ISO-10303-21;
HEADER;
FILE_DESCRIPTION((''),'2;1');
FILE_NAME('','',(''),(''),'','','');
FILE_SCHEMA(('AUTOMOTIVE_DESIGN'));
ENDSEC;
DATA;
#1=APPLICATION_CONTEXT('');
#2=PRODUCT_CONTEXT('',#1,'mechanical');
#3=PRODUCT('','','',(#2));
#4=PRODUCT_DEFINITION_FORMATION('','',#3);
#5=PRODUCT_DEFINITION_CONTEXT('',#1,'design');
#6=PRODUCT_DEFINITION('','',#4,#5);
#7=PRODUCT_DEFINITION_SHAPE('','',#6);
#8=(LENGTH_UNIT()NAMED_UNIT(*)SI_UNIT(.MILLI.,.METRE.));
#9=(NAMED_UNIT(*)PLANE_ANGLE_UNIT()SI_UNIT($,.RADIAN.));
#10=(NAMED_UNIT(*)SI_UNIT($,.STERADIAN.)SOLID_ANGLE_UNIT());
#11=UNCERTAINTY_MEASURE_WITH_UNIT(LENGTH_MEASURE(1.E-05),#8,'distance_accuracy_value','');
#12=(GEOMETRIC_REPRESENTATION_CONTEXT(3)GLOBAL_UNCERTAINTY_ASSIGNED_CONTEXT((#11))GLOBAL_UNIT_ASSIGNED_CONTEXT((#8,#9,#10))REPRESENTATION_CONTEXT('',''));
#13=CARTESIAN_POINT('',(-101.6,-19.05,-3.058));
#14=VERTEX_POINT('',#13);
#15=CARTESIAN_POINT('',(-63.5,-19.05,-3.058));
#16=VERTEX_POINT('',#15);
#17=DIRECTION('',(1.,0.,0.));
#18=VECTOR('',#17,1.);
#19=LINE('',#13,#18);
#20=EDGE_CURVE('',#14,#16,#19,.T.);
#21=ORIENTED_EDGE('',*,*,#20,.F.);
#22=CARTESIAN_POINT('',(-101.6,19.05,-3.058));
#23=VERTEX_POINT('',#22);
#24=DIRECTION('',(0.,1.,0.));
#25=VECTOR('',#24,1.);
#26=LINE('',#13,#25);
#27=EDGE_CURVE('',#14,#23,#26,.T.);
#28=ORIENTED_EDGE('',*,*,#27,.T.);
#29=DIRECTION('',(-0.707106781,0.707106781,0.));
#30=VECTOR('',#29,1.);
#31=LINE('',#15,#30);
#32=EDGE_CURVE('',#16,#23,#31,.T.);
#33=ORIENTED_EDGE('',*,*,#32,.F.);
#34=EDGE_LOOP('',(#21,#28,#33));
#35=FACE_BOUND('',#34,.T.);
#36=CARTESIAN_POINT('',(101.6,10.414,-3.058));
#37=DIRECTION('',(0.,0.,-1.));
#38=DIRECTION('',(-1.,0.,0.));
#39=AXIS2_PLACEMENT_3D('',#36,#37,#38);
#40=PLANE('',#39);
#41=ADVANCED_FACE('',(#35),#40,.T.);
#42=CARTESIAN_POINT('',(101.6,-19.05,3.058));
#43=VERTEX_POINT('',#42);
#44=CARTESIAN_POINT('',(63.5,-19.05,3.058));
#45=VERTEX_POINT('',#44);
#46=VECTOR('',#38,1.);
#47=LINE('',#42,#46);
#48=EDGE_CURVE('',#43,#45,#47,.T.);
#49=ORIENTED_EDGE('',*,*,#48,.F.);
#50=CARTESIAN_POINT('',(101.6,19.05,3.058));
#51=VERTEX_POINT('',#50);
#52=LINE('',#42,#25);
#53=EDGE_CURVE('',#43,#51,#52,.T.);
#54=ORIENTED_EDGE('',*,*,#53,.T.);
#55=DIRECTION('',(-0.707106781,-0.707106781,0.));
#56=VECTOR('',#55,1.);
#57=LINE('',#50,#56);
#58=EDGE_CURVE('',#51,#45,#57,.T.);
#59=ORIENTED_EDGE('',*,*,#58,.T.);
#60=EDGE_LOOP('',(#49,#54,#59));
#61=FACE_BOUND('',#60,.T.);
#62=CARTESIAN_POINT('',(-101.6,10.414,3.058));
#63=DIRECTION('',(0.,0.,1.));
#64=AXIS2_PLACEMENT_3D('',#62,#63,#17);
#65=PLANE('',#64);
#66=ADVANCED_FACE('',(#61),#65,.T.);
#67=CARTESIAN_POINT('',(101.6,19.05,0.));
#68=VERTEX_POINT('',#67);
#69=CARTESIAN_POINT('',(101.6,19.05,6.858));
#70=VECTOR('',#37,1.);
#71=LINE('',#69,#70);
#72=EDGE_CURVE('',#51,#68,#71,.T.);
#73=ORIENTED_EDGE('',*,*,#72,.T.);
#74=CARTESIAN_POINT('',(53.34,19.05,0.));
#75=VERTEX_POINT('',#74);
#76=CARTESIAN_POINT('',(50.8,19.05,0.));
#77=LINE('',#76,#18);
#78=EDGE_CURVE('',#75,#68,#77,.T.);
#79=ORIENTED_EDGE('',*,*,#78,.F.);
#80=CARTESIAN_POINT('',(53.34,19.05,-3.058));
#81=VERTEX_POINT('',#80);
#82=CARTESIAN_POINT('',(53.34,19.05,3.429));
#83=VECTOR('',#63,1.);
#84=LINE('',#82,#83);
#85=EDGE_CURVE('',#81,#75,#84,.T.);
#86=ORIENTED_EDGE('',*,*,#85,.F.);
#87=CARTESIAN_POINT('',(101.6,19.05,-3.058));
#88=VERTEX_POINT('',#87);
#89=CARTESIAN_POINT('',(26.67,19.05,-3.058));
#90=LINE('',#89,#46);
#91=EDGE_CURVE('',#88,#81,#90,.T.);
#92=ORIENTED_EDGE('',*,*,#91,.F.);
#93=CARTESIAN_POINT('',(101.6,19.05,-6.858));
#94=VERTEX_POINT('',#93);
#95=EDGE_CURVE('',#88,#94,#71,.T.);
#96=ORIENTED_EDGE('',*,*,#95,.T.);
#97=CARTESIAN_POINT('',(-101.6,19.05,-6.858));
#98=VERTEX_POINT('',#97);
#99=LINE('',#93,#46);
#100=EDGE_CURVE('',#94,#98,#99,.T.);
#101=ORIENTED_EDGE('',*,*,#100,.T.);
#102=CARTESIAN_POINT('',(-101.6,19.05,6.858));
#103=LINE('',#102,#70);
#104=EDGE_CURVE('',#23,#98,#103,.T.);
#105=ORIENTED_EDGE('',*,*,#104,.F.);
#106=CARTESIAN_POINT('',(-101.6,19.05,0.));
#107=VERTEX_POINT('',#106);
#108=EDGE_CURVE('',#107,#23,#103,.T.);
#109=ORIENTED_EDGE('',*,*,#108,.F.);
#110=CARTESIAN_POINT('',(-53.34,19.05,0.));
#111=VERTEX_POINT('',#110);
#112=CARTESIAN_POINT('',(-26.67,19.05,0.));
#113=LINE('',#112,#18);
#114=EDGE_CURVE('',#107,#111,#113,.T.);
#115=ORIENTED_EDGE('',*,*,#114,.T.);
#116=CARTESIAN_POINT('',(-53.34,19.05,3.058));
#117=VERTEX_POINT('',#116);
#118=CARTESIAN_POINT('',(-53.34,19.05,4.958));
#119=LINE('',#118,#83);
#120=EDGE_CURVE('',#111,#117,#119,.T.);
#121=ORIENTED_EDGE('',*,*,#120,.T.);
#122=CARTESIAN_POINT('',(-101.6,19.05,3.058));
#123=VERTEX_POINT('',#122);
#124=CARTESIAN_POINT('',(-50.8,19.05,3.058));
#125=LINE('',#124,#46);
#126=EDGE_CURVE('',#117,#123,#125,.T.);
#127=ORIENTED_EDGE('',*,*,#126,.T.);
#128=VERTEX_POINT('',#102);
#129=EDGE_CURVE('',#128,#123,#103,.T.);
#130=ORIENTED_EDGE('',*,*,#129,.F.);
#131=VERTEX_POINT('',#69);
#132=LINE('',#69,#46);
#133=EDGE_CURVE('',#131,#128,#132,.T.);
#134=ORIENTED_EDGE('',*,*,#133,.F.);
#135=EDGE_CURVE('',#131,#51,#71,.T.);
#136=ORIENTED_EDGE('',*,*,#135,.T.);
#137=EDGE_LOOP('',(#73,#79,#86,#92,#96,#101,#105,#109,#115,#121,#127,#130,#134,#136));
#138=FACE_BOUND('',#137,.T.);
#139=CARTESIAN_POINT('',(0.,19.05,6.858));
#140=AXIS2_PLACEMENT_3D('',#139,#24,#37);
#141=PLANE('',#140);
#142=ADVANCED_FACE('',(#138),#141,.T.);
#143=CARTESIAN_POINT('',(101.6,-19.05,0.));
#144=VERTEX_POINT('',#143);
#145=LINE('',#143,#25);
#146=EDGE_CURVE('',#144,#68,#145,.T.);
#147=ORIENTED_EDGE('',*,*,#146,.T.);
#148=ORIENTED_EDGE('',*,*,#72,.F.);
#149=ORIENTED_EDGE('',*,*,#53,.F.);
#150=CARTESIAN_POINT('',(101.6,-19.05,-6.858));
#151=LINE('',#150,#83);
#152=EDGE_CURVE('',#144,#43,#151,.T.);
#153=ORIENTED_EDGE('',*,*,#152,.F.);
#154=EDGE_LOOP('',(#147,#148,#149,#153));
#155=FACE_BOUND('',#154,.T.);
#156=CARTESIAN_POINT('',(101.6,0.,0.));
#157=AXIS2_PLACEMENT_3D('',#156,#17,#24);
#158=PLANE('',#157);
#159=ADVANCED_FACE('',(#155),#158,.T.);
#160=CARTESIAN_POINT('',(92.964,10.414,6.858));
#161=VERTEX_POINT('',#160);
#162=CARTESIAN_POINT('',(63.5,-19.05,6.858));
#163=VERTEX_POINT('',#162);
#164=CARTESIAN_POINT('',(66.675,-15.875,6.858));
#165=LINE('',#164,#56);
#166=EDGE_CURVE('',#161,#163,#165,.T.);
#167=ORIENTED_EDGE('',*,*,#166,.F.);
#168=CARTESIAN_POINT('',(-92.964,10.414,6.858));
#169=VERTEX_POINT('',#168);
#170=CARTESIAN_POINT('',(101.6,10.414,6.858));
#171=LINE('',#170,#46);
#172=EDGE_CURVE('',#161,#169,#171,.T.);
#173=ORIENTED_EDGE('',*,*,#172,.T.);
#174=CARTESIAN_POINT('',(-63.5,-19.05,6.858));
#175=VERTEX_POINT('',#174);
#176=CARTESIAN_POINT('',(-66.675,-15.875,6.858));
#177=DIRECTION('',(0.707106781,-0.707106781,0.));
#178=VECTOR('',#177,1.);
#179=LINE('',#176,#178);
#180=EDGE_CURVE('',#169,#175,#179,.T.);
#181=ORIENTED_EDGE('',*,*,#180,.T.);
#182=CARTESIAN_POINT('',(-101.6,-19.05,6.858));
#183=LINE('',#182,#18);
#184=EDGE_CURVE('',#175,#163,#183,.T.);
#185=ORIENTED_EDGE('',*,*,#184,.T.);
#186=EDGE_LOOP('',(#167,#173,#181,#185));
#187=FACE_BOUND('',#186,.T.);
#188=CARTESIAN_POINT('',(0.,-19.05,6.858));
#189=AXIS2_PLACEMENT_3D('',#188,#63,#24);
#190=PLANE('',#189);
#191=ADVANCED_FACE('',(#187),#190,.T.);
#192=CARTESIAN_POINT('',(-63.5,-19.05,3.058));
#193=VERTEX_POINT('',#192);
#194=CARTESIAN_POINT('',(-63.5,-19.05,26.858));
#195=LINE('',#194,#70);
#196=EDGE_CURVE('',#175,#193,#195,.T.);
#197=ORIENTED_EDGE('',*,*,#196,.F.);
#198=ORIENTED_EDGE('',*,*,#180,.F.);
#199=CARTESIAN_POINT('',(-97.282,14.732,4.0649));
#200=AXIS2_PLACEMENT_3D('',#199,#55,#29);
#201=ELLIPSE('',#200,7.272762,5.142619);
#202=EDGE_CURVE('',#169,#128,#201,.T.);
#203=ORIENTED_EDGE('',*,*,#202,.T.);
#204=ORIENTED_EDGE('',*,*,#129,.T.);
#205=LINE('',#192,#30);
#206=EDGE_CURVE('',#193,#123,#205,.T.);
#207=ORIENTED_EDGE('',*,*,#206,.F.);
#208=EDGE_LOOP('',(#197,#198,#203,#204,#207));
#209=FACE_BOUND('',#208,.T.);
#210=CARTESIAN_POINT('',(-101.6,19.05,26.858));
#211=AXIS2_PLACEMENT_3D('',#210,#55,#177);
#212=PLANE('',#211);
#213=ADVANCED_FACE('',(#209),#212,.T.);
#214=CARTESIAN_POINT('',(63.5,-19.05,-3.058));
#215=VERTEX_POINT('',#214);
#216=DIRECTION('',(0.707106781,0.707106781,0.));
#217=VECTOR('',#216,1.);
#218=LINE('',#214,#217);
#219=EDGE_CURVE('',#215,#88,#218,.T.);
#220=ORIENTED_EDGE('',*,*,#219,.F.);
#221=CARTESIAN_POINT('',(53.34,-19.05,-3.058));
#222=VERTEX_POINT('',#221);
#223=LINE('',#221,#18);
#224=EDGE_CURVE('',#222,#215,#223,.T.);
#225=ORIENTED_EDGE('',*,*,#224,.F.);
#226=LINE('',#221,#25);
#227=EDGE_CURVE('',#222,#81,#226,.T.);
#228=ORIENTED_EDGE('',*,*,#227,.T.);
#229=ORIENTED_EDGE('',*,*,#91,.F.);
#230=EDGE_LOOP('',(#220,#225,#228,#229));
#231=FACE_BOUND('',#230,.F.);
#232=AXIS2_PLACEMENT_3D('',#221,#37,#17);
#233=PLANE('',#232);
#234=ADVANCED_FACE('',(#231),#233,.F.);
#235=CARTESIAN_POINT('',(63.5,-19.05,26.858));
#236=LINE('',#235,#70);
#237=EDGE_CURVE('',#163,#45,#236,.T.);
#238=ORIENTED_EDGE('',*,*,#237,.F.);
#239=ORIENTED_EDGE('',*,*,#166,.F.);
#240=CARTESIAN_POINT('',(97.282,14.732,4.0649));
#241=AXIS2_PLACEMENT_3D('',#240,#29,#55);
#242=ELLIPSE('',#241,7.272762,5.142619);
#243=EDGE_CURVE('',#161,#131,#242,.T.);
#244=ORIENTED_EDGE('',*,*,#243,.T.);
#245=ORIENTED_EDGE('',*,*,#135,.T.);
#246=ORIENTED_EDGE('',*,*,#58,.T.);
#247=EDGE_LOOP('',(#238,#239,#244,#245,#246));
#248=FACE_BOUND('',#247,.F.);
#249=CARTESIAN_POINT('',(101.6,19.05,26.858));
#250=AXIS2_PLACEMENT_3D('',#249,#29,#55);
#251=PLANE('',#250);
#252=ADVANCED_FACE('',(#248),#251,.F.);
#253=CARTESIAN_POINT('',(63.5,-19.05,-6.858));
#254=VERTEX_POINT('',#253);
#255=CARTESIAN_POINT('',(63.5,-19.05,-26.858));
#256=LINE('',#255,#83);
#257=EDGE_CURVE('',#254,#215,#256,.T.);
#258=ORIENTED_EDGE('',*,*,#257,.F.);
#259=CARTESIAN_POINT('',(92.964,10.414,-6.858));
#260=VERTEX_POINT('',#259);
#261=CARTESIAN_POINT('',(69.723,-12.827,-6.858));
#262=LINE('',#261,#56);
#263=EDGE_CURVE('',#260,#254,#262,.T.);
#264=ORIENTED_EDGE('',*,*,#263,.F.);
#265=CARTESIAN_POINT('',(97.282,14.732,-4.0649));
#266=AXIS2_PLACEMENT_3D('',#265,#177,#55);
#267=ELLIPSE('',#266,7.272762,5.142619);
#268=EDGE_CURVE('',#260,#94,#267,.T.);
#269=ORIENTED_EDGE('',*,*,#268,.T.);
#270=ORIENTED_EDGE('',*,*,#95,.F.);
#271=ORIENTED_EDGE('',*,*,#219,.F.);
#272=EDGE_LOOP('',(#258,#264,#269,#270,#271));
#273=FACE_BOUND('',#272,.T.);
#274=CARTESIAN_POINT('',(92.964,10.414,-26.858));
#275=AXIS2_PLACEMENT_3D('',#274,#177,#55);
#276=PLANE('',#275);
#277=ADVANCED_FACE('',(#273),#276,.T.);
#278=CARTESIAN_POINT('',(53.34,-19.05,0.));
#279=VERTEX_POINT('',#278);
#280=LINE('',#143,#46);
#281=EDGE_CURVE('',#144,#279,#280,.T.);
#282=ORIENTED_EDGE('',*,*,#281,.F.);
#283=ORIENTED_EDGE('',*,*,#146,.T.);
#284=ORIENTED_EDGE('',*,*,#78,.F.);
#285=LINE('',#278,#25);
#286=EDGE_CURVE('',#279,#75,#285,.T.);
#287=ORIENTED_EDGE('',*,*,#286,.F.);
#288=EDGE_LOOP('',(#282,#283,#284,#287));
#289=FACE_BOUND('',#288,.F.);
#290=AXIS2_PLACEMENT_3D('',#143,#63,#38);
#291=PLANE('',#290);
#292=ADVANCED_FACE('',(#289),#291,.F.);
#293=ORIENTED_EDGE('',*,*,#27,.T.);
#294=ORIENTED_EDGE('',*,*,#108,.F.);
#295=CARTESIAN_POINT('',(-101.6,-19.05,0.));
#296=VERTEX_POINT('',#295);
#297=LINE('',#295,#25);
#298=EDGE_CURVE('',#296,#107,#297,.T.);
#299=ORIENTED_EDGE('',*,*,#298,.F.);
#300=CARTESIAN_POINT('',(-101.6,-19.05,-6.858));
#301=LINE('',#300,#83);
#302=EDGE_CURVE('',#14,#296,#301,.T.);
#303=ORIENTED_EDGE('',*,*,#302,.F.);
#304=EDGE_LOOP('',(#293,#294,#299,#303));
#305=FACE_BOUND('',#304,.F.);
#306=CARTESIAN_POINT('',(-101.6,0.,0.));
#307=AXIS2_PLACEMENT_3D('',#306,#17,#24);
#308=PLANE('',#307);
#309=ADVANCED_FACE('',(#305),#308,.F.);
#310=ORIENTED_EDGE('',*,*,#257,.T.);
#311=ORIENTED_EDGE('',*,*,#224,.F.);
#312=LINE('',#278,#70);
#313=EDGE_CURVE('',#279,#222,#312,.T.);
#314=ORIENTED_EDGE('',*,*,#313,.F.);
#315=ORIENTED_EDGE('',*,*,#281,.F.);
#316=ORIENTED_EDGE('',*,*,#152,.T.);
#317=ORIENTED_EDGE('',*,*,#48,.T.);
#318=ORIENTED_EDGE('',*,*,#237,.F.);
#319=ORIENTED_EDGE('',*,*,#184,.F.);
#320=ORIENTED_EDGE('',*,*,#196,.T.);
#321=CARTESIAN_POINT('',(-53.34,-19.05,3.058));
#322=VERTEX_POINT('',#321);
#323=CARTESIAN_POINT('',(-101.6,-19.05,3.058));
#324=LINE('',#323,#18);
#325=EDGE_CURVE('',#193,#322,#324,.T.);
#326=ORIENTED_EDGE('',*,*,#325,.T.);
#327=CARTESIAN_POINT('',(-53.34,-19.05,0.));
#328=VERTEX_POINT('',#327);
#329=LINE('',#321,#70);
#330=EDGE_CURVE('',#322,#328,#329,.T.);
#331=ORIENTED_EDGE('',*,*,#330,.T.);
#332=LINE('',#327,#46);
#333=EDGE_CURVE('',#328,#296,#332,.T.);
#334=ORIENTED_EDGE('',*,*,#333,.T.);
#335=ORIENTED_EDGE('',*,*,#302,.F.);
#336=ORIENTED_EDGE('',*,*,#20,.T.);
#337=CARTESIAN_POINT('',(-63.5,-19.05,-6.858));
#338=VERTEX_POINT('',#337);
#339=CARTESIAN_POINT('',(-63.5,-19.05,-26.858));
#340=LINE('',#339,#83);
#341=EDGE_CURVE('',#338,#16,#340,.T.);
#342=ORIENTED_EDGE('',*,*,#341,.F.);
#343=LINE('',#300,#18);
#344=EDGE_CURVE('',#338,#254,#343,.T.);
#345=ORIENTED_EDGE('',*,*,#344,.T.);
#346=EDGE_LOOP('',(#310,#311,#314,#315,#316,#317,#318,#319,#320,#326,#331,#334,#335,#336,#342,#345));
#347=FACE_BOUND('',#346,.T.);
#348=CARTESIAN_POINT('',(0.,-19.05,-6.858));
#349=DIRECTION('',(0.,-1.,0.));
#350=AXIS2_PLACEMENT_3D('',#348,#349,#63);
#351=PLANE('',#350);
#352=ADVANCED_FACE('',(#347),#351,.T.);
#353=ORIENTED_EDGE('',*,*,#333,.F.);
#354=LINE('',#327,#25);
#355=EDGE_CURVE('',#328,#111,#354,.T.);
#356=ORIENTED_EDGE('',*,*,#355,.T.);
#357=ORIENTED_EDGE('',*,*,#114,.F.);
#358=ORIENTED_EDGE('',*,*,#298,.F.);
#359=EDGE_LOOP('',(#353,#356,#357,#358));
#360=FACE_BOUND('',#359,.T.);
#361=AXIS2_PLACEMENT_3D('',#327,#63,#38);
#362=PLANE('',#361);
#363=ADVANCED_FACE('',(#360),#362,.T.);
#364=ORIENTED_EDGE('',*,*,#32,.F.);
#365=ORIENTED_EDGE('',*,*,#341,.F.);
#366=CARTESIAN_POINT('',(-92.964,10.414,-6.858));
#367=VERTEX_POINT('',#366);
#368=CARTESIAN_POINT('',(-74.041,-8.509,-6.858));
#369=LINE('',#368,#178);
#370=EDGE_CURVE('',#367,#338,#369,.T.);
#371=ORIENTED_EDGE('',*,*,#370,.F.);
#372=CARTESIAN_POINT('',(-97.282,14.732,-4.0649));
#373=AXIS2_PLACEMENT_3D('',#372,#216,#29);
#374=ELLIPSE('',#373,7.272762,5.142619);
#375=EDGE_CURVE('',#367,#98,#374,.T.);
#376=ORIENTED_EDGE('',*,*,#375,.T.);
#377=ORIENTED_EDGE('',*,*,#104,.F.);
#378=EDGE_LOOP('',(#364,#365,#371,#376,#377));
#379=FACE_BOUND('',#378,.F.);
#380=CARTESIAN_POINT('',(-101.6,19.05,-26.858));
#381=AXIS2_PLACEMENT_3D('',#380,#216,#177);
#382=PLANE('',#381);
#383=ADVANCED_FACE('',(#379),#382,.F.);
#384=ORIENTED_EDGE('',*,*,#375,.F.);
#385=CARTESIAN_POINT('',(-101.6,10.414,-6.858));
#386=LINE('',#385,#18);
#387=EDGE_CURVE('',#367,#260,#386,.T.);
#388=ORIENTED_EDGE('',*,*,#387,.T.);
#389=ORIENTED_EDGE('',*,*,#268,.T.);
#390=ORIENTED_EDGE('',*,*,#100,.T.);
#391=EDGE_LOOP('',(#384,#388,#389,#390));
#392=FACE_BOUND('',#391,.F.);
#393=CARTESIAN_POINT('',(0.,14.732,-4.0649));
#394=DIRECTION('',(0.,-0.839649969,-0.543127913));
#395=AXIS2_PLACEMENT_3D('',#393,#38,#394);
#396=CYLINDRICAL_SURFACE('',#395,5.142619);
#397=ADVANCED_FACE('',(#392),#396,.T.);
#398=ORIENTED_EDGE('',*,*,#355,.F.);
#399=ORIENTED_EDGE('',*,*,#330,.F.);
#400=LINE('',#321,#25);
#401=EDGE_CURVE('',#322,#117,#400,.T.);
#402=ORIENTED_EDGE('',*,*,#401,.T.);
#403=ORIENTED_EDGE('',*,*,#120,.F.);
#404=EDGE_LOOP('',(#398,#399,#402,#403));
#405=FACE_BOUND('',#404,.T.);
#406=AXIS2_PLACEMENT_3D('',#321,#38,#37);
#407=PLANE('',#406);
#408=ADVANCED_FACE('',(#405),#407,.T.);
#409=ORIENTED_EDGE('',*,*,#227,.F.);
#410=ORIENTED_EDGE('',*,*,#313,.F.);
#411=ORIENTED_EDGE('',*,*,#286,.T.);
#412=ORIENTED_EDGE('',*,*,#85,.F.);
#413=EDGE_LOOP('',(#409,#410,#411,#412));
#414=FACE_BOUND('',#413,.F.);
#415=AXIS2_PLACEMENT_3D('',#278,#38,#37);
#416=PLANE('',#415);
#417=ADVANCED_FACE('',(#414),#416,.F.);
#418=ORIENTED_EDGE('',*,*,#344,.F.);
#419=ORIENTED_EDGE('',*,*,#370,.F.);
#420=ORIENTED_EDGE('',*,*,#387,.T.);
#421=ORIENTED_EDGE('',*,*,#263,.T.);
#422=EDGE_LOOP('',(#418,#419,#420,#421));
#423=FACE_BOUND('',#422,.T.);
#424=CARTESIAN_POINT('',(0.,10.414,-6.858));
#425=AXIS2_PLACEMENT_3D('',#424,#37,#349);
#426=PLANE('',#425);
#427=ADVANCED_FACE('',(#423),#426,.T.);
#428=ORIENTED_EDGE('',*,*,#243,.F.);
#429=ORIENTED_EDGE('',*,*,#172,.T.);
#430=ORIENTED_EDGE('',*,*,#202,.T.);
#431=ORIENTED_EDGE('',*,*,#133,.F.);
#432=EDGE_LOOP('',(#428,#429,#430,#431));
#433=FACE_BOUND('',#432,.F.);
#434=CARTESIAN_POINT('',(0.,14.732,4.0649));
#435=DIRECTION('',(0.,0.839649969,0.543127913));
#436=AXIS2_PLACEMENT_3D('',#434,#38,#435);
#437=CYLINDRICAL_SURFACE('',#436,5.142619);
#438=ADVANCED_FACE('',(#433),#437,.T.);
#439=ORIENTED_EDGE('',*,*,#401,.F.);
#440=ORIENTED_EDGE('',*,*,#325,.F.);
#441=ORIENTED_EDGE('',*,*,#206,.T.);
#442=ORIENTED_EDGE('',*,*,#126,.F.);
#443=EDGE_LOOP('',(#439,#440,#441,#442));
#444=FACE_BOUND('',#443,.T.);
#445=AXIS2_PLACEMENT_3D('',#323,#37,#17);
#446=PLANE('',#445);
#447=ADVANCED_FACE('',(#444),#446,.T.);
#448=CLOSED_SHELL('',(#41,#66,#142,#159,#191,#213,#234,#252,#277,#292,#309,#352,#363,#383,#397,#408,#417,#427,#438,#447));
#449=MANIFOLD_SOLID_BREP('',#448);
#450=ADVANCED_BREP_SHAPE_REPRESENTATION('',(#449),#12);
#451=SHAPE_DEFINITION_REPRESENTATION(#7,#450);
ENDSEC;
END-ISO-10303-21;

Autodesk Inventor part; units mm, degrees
ref_plane "YZ Plane" through (0, 0, 0) normal (1, 0, 0) x (0, 1, 0)
sketch "Sketch1" plane through (0, 0, 0) normal (1, 0, 0) x (0, 1, 0)
  line L0 (-19.05, 6.858) -> (19.05, 6.858)
  line L1 (19.05, 6.858) -> (19.05, -6.858)
  line L2 (19.05, -6.858) -> (-19.05, -6.858)
  line L3 (-19.05, -6.858) -> (-19.05, 6.858)
  line L4 (-19.05, 6.858) -> (19.05, -6.858) construction
  line L5 (19.05, 6.858) -> (-19.05, -6.858) construction
  arc A0 (19.05, 6.858) -> (10.414, 6.858) centre (14.732, 4.0649) ccw
  arc A1 (10.414, -6.858) -> (19.05, -6.858) centre (14.732, -4.0649) ccw
  line L6 (14.732, 9.2075) -> (14.732, -9.2075)
  point P0 (0, 0)
  dimension "d0" = 38.1
  dimension "d1" = 13.716
  dimension "d6" = 8.636
  dimension "d8" = 8.636
  dimension "d9" = 18.415
extrude "Extrusion1" add sketch "Sketch1" along normal mid plane 203.2
sketch "Sketch3" plane through (-101.6, -19.05, -6.858) normal (0, -1, 0) x (1, 0, 0)
  line L0 (0, 0) -> (203.2, 0) projected
  line L1 (203.2, 13.716) -> (203.2, 0) projected
  line L2 (203.2, 13.716) -> (0, 13.716) projected
  line L3 (0, 0) -> (0, 13.716) projected
  line L4 (203.2, 6.858) -> (154.94, 6.858)
  line L5 (154.94, 6.858) -> (154.94, 3.8)
  line L6 (154.94, 3.8) -> (203.2, 3.8)
  line L7 (203.2, 3.8) -> (203.2, 6.858)
  line L8 (154.94, 6.858) -> (203.2, 6.858)
  line L9 (203.2, 6.858) -> (203.2, 9.916)
  line L10 (0, 9.916) -> (48.26, 9.916)
  line L11 (48.26, 9.916) -> (48.26, 6.858)
  line L12 (48.26, 6.858) -> (0, 6.858)
  line L13 (0, 6.858) -> (0, 9.916)
  point P0 (101.6, 6.858)
  dimension "d14" = 48.26
  dimension "d19" = 3.8
  dimension "d21" = 3.058
  dimension "d22" = 48.26
  dimension "d23" = 3.8
  dimension "d24" = 3.058
extrude "Extrusion3" cut sketch "Sketch3" against normal through all contours L3 L10 L11 L12 | L6 L5 L4 L1
ref_plane "Work Plane1" through (-101.6, 10.414, 26.858) normal (0, 0, 1) x (1, 0, 0)
sketch "Sketch4" plane through (-101.6, 10.414, 26.858) normal (0, 0, 1) x (1, 0, 0)
  line L0 (0, 0) -> (203.2, 0) projected
  line L1 (0, -29.464) -> (0, 0) projected
  line L2 (203.2, -29.464) -> (0, -29.464) projected
  line L3 (203.2, 0) -> (203.2, -29.464) projected
  line L4 (0, 0) -> (203.2, 0) projected
  line L5 (203.2, 8.636) -> (203.2, 0) projected
  line L6 (0, 8.636) -> (203.2, 8.636) projected
  line L7 (0, 0) -> (0, 8.636) projected
  line L8 (203.2, 8.636) -> (165.1, -29.464)
  line L9 (0, 8.636) -> (38.1, -29.464)
  line L10 (203.2, 8.636) -> (203.2, -29.464)
  line L11 (165.1, -29.464) -> (203.2, -29.464)
  line L12 (38.1, -29.464) -> (0, -29.464)
  line L13 (0, 8.636) -> (0, -29.464)
  point P0 (101.6, -10.414)
  dimension "d28" = 45
  dimension "d29" = 45
extrude "Extrusion4" cut sketch "Sketch4" against normal blind 23.8 contours L7 L9 L0 | L0 L9 L2 L1 | L8 L5 L0 | L0 L3 L2 L8
ref_plane "Work Plane2" through (101.6, 10.414, -26.858) normal (0, 0, -1) x (-1, 0, 0)
sketch "Sketch5" plane through (101.6, 10.414, -26.858) normal (0, 0, -1) x (-1, 0, 0)
  line L0 (203.2, 0) -> (0, 0) projected
  line L1 (0, -29.464) -> (0, 0) projected
  line L2 (203.2, -29.464) -> (0, -29.464) projected
  line L3 (203.2, 0) -> (203.2, -29.464) projected
  line L4 (0, 8.636) -> (203.2, 8.636) projected
  line L5 (0, 0) -> (0, 8.636) projected
  line L6 (203.2, 0) -> (0, 0) projected
  line L7 (203.2, 8.636) -> (203.2, 0) projected
  line L8 (0, 8.636) -> (38.1, -29.464)
  line L9 (203.2, 8.636) -> (165.1, -29.464)
  line L10 (165.1, -29.464) -> (203.2, -29.464)
  line L11 (203.2, -29.464) -> (203.2, 8.636)
  line L12 (38.1, -29.464) -> (0, -29.464)
  line L13 (0, -29.464) -> (0, 8.636)
  point P0 (101.6, -10.414)
  dimension "d33" = 45
  dimension "d34" = 45
extrude "Extrusion5" cut sketch "Sketch5" against normal blind 23.8 contours L3 L2 L9 L0 | L0 L9 L7 | L8 L2 L1 L0 | L0 L5 L8
equation "\"d14\" = SlotDepth"
equation "\"d19\" = SlotOffset"
equation "\"d21\" = SlotWidth"
equation "\"d22\" = SlotDepth"
equation "\"d23\" = SlotOffset"
equation "\"d24\" = SlotWidth"
equation "\"d0\" = StretcherHeight"
equation "\"d1\" = StretcherDepth"
equation "\"d6\" = RoundoverDiameter"
equation "\"d8\" = d6"
equation "\"SlotDepth\" = 48.26"
equation "\"SlotOffset\" = 3.8"
equation "\"SlotWidth\" = 3.058"
equation "\"StretcherHeight\" = 38.1"
equation "\"StretcherDepth\" = 13.716"
equation "\"RoundoverDiameter\" = 8.636"
properties part number "Stretcher-08" material "Wood (Birch)"
